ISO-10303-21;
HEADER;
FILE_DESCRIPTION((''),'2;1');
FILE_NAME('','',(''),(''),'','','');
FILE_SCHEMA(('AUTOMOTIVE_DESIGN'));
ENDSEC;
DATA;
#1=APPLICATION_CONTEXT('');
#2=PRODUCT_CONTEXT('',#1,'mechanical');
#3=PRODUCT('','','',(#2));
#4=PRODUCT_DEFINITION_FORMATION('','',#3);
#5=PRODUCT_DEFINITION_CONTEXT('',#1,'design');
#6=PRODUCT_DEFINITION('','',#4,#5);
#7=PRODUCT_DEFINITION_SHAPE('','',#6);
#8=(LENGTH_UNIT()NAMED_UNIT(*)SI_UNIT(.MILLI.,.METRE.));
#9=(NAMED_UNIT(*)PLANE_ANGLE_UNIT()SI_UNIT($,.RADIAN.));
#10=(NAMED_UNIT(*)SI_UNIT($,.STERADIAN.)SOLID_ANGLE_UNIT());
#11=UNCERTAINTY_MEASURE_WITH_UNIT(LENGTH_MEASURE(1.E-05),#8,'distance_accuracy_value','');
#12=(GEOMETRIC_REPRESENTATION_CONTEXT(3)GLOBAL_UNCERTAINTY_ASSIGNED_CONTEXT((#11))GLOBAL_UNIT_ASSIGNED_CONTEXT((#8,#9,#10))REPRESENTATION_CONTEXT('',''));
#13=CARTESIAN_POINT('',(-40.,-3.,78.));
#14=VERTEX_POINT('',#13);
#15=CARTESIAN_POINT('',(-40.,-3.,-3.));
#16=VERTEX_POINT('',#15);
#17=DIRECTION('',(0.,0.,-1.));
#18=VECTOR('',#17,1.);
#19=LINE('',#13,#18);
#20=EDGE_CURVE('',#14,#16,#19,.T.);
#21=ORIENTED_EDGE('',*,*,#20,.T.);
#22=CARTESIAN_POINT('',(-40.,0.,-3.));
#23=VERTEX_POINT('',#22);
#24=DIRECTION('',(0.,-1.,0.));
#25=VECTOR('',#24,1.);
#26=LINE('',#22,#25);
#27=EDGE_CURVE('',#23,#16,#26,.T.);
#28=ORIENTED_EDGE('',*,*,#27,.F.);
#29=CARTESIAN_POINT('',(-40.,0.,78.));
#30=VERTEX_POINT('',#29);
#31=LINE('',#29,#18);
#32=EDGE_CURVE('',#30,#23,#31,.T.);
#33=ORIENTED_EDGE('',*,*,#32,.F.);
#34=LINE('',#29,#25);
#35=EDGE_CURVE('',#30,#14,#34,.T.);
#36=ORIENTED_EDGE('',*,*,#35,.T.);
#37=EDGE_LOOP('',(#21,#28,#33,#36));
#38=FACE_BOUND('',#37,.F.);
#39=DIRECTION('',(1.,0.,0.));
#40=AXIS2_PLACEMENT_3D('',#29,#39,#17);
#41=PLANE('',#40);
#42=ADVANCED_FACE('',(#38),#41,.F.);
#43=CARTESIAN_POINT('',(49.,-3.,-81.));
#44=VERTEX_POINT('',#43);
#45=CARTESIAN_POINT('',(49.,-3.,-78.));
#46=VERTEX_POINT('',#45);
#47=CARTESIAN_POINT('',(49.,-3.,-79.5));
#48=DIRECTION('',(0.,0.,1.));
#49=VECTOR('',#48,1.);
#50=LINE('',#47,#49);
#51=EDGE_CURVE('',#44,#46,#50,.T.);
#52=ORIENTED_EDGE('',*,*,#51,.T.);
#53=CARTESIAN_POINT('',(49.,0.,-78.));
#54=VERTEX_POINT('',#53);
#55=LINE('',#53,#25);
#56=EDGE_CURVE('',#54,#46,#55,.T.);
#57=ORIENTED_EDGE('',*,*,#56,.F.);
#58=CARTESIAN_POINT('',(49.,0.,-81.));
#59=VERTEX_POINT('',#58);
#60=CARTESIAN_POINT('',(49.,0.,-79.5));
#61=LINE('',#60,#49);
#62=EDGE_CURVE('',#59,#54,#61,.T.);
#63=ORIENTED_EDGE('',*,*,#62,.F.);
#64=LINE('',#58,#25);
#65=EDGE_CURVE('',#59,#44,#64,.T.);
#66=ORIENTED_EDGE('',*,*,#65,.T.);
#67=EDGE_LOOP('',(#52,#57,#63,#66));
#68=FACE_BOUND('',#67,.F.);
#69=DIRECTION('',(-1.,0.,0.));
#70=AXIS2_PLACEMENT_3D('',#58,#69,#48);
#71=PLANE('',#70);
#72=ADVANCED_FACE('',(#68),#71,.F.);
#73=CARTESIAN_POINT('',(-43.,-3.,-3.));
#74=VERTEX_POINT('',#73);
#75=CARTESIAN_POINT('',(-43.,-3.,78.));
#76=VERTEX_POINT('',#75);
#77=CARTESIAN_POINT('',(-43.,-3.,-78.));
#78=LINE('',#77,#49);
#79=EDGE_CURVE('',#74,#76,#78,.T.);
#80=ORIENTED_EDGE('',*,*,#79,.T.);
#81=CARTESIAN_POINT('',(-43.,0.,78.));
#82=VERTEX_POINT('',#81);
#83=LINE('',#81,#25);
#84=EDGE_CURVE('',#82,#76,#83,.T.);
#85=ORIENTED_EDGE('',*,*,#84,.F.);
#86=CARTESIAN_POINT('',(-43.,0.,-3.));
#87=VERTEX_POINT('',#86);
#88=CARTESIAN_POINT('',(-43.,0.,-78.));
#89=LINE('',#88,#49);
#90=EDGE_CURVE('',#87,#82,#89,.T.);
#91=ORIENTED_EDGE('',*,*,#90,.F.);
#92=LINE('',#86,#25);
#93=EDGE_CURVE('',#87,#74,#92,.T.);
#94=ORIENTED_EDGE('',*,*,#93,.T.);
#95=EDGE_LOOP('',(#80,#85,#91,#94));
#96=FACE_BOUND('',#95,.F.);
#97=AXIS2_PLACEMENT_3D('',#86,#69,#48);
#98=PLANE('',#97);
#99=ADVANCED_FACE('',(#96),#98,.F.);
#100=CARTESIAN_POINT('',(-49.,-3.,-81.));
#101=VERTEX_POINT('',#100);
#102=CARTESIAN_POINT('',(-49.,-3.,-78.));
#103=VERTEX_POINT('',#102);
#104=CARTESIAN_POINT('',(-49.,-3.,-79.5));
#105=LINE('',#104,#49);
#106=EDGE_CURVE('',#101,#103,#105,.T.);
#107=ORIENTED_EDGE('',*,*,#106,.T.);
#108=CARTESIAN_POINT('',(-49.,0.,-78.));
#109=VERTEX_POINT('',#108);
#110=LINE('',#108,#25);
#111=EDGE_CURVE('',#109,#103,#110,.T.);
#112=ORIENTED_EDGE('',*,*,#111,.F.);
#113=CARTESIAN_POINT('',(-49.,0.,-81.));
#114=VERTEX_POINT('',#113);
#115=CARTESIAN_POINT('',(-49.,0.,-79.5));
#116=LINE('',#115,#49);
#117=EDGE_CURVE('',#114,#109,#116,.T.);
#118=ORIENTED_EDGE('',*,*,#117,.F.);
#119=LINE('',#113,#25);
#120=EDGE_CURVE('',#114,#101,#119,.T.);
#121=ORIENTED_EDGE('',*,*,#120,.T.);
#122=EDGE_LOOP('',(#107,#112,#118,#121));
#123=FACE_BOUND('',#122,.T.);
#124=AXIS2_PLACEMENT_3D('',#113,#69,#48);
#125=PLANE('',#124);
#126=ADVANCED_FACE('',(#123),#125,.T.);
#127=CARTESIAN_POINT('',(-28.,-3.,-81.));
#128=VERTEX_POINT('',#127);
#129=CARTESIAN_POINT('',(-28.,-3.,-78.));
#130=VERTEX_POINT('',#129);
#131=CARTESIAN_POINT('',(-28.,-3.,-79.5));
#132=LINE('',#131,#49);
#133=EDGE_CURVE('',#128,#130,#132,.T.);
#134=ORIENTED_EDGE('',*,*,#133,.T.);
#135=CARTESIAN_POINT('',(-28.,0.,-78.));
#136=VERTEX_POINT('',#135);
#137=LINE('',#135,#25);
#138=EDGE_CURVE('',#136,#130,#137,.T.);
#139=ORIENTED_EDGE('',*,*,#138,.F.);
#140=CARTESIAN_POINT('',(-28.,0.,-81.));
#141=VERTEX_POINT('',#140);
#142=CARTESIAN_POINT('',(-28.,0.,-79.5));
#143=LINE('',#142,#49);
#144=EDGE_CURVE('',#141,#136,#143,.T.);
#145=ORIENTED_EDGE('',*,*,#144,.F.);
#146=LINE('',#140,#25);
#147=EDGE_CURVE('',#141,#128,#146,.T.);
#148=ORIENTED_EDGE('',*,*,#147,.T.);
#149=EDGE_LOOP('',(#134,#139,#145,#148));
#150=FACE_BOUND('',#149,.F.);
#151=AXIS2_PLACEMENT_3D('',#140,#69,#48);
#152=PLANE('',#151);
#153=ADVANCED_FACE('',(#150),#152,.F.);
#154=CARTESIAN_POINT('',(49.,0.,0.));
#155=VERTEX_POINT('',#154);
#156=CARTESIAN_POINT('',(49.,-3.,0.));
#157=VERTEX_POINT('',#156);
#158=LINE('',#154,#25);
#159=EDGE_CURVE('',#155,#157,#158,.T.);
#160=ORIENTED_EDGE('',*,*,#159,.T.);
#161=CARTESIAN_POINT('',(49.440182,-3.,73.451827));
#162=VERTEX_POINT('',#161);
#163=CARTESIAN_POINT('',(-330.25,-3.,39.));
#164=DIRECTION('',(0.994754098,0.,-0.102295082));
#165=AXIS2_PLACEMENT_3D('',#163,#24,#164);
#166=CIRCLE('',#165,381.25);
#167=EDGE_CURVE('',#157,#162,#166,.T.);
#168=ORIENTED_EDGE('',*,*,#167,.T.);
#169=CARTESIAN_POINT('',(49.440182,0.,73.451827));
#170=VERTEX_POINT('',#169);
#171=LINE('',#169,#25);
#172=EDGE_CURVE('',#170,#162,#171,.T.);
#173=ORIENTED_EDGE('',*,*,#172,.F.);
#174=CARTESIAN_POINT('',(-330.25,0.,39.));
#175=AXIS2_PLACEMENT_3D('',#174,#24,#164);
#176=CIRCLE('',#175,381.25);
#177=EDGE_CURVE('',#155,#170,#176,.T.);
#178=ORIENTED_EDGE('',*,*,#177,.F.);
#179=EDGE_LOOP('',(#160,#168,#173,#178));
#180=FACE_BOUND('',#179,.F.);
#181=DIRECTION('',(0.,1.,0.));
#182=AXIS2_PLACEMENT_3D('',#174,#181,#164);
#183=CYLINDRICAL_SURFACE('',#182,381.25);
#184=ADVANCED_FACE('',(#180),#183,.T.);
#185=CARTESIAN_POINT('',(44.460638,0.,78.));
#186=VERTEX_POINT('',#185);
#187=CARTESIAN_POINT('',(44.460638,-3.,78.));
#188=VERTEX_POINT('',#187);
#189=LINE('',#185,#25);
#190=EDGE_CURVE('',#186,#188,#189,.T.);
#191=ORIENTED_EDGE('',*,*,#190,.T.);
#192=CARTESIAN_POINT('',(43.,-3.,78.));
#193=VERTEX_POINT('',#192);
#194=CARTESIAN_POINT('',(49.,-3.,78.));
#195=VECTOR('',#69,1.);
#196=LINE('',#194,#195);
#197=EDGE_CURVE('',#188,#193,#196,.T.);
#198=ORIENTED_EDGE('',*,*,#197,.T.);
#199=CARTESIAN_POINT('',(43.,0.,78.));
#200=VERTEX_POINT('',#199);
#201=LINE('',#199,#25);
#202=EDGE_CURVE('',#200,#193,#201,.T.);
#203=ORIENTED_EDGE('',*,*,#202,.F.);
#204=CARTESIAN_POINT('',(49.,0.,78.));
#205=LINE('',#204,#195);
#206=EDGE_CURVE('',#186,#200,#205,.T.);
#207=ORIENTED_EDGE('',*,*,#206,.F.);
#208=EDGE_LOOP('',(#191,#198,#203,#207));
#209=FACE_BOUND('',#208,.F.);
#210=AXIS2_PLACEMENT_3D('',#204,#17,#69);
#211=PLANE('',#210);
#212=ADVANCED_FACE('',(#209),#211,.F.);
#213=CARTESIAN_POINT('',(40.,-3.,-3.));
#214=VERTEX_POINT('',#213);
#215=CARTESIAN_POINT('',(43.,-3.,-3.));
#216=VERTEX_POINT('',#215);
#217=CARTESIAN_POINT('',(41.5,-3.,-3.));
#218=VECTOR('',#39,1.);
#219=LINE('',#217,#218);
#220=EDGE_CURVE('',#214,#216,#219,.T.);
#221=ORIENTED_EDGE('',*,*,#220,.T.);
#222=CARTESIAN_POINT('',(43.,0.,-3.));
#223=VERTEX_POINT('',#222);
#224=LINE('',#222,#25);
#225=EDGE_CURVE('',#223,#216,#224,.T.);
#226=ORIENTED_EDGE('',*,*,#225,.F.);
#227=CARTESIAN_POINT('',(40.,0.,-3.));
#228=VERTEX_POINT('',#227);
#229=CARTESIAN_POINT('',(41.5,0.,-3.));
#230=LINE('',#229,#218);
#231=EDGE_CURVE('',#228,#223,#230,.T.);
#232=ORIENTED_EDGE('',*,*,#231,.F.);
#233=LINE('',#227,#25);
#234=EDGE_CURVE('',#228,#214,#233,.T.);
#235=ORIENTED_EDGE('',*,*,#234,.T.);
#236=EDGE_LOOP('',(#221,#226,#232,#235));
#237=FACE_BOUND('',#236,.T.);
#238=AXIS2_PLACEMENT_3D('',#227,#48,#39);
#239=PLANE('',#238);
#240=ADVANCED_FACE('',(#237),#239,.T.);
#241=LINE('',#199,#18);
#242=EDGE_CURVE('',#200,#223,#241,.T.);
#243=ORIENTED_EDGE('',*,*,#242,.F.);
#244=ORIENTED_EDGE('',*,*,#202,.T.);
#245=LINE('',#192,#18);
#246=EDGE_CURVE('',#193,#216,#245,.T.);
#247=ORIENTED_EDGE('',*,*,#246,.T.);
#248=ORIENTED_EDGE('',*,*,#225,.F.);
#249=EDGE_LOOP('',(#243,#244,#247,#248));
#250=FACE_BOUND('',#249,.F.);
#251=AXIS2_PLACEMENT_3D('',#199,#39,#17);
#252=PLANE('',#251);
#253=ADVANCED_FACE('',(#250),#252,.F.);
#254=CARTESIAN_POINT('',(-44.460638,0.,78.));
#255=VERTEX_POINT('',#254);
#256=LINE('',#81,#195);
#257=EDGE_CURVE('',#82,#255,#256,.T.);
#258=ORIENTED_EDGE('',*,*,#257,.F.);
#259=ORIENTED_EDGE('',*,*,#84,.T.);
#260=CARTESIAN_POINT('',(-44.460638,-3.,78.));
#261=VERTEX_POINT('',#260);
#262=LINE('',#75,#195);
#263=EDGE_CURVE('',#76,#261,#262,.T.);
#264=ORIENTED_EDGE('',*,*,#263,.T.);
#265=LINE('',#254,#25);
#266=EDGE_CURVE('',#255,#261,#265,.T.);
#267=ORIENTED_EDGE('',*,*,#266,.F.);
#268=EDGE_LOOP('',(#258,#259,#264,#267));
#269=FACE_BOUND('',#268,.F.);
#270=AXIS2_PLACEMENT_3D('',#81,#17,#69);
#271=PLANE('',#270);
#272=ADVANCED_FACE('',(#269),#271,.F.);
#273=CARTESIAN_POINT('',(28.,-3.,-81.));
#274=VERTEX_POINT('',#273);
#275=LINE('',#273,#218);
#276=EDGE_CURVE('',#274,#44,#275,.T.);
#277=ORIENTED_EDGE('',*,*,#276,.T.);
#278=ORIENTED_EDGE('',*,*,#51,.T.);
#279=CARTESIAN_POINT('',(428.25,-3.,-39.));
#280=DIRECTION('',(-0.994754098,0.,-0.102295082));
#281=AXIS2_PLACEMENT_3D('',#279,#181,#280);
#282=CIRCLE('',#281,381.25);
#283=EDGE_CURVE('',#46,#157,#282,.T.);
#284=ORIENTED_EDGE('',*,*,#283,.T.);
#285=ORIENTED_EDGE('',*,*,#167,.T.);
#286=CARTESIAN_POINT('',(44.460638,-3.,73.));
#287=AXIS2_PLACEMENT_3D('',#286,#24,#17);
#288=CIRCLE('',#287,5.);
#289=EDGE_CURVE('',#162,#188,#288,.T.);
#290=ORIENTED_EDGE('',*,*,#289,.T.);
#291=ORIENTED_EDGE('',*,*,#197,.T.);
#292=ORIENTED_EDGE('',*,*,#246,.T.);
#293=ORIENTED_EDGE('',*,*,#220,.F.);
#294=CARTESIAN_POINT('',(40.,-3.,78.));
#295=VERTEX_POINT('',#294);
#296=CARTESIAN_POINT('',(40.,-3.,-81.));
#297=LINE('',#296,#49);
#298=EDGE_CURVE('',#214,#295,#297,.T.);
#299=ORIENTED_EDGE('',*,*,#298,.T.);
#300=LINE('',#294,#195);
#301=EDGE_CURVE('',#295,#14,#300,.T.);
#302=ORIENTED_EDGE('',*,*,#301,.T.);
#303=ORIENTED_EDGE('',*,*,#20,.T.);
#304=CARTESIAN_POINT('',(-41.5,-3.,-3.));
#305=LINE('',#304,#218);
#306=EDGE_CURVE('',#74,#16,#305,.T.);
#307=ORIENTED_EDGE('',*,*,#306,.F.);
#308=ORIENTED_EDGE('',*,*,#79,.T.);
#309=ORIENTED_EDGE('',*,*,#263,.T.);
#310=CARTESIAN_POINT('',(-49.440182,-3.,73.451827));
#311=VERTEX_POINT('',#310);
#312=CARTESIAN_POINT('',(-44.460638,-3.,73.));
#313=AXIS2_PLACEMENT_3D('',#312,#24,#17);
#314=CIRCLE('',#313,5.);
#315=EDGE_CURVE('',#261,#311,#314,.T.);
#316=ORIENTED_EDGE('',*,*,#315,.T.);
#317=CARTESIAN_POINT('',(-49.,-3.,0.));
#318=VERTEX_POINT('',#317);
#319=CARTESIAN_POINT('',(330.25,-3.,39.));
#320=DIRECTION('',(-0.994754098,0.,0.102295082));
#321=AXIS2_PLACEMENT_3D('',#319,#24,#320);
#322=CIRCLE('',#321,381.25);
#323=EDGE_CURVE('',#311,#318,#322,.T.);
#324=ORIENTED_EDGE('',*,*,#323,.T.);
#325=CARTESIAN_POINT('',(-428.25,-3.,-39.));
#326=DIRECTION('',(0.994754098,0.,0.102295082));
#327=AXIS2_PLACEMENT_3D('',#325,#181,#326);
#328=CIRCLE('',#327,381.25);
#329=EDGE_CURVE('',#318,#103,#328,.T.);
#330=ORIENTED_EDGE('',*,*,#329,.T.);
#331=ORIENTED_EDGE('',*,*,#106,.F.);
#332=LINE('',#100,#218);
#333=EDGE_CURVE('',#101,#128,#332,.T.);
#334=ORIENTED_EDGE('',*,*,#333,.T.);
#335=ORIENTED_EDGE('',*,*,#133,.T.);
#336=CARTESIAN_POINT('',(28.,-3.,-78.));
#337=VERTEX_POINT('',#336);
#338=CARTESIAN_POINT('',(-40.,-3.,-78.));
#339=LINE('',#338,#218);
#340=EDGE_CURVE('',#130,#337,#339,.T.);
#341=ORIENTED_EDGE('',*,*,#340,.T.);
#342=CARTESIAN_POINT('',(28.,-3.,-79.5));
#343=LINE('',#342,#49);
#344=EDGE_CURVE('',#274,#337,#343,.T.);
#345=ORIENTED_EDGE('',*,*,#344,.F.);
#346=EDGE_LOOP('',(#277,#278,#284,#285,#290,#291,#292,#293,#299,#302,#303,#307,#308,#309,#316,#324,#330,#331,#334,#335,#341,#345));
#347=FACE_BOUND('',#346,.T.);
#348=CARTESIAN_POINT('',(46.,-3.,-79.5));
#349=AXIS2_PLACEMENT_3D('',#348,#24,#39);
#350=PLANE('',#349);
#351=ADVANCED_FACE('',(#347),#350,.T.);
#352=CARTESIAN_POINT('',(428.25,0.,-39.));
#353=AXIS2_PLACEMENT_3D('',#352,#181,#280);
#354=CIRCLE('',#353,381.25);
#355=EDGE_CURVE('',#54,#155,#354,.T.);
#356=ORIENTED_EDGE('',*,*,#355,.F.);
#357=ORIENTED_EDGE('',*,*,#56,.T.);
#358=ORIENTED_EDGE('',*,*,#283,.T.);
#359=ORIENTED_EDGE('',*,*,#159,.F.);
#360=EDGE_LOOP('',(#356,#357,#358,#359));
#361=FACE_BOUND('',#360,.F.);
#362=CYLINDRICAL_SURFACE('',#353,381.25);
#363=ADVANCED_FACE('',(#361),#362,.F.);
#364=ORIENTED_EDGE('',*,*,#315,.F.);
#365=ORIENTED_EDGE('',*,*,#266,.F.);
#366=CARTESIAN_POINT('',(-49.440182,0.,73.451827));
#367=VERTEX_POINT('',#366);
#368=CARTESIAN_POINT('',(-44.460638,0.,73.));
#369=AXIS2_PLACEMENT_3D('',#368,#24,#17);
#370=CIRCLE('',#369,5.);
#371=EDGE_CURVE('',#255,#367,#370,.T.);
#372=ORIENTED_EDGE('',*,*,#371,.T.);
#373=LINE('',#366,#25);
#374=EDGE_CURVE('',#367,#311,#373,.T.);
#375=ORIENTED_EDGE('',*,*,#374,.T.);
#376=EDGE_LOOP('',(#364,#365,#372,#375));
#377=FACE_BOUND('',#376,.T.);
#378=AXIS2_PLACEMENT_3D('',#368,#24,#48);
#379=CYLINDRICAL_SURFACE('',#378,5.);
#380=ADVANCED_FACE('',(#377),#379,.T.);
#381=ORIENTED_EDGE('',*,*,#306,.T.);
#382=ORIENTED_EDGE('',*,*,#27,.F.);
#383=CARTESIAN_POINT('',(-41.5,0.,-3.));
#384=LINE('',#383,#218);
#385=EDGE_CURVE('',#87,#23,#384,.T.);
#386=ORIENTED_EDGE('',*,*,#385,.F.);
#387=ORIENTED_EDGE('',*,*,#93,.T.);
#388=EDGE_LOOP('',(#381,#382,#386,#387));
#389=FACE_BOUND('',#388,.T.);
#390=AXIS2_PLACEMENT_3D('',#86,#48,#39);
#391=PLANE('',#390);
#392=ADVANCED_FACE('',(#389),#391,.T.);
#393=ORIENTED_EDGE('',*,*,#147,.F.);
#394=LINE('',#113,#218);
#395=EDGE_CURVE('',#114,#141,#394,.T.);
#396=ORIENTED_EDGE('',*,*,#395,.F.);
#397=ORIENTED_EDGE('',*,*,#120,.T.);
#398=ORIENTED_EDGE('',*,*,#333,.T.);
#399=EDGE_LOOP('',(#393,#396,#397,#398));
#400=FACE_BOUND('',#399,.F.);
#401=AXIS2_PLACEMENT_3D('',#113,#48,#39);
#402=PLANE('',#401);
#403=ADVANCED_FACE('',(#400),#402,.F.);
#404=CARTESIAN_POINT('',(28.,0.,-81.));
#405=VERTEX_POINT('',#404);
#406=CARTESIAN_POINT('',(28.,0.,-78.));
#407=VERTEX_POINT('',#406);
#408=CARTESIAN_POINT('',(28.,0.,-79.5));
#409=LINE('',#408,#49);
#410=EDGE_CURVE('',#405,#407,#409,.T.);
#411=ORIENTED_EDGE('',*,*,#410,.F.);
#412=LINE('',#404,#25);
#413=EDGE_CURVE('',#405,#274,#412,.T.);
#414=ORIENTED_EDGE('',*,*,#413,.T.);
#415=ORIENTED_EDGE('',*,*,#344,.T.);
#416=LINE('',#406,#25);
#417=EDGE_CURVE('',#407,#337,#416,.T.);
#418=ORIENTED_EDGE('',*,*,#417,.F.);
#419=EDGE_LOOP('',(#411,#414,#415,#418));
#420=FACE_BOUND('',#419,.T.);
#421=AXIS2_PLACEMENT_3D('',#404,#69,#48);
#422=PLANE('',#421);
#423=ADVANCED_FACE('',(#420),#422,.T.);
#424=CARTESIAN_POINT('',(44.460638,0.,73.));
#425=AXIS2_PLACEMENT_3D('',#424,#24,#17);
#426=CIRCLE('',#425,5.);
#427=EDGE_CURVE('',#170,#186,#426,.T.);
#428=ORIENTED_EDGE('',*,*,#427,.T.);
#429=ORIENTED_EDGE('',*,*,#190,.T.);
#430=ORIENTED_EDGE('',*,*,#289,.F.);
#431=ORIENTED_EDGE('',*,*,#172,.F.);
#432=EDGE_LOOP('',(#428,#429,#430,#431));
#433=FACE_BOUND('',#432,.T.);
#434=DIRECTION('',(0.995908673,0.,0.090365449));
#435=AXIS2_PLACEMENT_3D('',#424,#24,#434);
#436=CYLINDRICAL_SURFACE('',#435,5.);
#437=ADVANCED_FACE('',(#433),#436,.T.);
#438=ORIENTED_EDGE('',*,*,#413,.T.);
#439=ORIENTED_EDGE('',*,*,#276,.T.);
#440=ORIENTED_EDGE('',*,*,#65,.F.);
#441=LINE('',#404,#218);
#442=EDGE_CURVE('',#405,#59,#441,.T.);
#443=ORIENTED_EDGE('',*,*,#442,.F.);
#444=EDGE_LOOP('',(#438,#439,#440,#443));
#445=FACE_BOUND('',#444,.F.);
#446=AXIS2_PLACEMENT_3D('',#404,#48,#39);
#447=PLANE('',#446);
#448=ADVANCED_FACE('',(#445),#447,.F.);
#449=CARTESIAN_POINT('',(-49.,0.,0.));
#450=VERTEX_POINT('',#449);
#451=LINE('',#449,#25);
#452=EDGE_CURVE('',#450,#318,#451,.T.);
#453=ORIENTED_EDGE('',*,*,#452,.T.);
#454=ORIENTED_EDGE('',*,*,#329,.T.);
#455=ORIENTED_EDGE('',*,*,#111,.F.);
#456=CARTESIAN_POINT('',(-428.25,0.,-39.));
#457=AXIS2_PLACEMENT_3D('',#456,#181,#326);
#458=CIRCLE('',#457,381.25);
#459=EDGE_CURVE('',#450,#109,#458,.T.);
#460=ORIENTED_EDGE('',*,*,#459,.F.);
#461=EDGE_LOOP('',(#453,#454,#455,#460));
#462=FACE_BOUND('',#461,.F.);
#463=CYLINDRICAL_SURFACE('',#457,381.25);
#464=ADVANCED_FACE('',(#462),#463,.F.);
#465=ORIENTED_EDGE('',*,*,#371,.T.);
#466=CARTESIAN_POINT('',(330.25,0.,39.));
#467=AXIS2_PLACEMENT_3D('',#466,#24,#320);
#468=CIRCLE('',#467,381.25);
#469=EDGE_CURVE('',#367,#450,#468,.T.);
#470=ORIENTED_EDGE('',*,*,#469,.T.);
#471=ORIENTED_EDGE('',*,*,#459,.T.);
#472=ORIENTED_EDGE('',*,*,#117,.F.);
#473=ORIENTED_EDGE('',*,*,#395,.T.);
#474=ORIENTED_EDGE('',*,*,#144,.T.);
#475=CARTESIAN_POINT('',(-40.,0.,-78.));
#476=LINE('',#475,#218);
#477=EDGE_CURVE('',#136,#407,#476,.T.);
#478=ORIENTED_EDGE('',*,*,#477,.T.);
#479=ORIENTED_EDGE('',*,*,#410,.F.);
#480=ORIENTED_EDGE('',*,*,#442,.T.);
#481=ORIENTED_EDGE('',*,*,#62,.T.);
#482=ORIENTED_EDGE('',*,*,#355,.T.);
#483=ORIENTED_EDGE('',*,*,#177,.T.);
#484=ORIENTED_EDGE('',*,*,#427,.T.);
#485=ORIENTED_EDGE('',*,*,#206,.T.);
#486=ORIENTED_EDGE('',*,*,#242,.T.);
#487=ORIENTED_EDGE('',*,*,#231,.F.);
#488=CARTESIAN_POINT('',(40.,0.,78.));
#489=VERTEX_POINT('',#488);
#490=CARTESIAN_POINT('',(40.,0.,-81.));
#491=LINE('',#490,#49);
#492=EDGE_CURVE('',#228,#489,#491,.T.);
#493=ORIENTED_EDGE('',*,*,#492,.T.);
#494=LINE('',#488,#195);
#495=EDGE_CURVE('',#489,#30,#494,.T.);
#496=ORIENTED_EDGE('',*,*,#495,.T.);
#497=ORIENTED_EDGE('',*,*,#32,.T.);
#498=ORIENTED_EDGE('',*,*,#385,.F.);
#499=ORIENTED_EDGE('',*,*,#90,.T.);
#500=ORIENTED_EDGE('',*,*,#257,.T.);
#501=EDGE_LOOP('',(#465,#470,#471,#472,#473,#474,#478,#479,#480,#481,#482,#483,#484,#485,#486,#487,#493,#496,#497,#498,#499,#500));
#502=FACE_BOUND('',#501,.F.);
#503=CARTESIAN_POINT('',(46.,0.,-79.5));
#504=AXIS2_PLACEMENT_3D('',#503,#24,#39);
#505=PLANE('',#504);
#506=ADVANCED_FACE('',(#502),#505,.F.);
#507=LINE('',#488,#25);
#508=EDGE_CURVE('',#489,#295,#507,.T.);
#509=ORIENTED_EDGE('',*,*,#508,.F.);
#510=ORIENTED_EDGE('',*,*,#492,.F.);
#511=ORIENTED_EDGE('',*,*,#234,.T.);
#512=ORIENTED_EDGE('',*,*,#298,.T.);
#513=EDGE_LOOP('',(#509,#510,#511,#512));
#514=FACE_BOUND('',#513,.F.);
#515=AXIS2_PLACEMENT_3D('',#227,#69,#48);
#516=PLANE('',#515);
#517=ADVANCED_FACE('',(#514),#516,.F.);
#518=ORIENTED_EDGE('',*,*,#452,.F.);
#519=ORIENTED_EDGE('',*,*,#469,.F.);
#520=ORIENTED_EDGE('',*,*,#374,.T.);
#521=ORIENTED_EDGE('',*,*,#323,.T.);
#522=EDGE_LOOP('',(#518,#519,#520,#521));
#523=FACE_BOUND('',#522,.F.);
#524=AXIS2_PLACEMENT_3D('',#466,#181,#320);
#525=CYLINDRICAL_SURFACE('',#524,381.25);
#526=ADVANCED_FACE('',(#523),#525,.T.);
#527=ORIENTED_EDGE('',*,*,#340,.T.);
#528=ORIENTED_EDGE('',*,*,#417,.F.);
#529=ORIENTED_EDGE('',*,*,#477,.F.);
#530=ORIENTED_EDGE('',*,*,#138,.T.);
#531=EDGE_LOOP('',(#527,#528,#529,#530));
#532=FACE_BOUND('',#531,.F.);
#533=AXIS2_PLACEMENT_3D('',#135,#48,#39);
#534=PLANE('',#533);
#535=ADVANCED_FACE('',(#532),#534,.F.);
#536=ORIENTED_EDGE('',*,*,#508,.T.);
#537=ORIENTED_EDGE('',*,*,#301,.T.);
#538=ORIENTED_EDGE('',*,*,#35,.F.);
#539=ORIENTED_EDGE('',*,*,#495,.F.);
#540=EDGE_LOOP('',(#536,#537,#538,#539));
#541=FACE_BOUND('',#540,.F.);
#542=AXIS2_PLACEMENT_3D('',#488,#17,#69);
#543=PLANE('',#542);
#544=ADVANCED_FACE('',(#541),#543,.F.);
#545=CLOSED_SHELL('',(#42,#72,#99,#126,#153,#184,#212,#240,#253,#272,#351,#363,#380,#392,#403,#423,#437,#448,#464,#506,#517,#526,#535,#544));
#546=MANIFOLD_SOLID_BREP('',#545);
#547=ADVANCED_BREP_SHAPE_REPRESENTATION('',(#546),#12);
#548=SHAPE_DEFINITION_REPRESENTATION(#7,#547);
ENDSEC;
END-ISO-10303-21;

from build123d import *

# Parameters (mm, degrees)
F1_W     = 6
F1_H     = 3
F1_W_2   = 12
F1_W_3   = 3
F1_H_2   = 75
F2_DEPTH = 3
F3_R     = 5


with BuildPart() as f2:
    # F1 (on Front) → F2 (new body)
    with BuildSketch(Plane.XZ):
        with Locations((46, -79.5)):
            Rectangle(F1_W, F1_H)
        Polygon((28, -78), (40, -78), (40, -3), (40, 78), (-40, 78), (-40, -3), (-40, -78), (-28, -78), align=None)
        with Locations((-46, -79.5)):
            Rectangle(F1_W, F1_H)
        with Locations((-34, -79.5)):
            Rectangle(F1_W_2, F1_H)
        with Locations((34, -79.5)):
            Rectangle(F1_W_2, F1_H)
        with Locations((-41.5, -40.5)):
            Rectangle(F1_W_3, F1_H_2)
        with Locations((41.5, -40.5)):
            Rectangle(F1_W_3, F1_H_2)
        with Locations((-41.5, -79.5)):
            Rectangle(F1_W_3, F1_H)
        with Locations((41.5, -79.5)):
            Rectangle(F1_W_3, F1_H)
        with BuildLine():
            Line((-49, -78), (-43, -78))
            Line((-43, -78), (-43, -3))
            Line((-43, -3), (-43, 78))
            Line((-43, 78), (-49, 78))
            Line((-49, 78), (-49, 0))
            ThreePointArc((-49, 0), (-47, -39), (-49, -78))
        make_face()
        with BuildLine():
            Line((-49, 0), (-49, 78))
            ThreePointArc((-49, 78), (-51, 39), (-49, 0))
        make_face()
        with BuildLine():
            Line((43, -78), (49, -78))
            ThreePointArc((49, -78), (47, -39), (49, 0))
            Line((49, 0), (49, 78))
            Line((49, 78), (43, 78))
            Line((43, 78), (43, -3))
            Line((43, -3), (43, -78))
        make_face()
        with BuildLine():
            Line((49, 78), (49, 0))
            ThreePointArc((49, 0), (51, 39), (49, 78))
        make_face()
    extrude(amount=F2_DEPTH)

    # F3
    f3_edges = [f2.edges().sort_by_distance(p)[0] for p in [
        (49, -1.5, 78),
        (-49, -1.5, 78),
    ]]
    fillet(f3_edges, radius=F3_R)


solid = f2.part
